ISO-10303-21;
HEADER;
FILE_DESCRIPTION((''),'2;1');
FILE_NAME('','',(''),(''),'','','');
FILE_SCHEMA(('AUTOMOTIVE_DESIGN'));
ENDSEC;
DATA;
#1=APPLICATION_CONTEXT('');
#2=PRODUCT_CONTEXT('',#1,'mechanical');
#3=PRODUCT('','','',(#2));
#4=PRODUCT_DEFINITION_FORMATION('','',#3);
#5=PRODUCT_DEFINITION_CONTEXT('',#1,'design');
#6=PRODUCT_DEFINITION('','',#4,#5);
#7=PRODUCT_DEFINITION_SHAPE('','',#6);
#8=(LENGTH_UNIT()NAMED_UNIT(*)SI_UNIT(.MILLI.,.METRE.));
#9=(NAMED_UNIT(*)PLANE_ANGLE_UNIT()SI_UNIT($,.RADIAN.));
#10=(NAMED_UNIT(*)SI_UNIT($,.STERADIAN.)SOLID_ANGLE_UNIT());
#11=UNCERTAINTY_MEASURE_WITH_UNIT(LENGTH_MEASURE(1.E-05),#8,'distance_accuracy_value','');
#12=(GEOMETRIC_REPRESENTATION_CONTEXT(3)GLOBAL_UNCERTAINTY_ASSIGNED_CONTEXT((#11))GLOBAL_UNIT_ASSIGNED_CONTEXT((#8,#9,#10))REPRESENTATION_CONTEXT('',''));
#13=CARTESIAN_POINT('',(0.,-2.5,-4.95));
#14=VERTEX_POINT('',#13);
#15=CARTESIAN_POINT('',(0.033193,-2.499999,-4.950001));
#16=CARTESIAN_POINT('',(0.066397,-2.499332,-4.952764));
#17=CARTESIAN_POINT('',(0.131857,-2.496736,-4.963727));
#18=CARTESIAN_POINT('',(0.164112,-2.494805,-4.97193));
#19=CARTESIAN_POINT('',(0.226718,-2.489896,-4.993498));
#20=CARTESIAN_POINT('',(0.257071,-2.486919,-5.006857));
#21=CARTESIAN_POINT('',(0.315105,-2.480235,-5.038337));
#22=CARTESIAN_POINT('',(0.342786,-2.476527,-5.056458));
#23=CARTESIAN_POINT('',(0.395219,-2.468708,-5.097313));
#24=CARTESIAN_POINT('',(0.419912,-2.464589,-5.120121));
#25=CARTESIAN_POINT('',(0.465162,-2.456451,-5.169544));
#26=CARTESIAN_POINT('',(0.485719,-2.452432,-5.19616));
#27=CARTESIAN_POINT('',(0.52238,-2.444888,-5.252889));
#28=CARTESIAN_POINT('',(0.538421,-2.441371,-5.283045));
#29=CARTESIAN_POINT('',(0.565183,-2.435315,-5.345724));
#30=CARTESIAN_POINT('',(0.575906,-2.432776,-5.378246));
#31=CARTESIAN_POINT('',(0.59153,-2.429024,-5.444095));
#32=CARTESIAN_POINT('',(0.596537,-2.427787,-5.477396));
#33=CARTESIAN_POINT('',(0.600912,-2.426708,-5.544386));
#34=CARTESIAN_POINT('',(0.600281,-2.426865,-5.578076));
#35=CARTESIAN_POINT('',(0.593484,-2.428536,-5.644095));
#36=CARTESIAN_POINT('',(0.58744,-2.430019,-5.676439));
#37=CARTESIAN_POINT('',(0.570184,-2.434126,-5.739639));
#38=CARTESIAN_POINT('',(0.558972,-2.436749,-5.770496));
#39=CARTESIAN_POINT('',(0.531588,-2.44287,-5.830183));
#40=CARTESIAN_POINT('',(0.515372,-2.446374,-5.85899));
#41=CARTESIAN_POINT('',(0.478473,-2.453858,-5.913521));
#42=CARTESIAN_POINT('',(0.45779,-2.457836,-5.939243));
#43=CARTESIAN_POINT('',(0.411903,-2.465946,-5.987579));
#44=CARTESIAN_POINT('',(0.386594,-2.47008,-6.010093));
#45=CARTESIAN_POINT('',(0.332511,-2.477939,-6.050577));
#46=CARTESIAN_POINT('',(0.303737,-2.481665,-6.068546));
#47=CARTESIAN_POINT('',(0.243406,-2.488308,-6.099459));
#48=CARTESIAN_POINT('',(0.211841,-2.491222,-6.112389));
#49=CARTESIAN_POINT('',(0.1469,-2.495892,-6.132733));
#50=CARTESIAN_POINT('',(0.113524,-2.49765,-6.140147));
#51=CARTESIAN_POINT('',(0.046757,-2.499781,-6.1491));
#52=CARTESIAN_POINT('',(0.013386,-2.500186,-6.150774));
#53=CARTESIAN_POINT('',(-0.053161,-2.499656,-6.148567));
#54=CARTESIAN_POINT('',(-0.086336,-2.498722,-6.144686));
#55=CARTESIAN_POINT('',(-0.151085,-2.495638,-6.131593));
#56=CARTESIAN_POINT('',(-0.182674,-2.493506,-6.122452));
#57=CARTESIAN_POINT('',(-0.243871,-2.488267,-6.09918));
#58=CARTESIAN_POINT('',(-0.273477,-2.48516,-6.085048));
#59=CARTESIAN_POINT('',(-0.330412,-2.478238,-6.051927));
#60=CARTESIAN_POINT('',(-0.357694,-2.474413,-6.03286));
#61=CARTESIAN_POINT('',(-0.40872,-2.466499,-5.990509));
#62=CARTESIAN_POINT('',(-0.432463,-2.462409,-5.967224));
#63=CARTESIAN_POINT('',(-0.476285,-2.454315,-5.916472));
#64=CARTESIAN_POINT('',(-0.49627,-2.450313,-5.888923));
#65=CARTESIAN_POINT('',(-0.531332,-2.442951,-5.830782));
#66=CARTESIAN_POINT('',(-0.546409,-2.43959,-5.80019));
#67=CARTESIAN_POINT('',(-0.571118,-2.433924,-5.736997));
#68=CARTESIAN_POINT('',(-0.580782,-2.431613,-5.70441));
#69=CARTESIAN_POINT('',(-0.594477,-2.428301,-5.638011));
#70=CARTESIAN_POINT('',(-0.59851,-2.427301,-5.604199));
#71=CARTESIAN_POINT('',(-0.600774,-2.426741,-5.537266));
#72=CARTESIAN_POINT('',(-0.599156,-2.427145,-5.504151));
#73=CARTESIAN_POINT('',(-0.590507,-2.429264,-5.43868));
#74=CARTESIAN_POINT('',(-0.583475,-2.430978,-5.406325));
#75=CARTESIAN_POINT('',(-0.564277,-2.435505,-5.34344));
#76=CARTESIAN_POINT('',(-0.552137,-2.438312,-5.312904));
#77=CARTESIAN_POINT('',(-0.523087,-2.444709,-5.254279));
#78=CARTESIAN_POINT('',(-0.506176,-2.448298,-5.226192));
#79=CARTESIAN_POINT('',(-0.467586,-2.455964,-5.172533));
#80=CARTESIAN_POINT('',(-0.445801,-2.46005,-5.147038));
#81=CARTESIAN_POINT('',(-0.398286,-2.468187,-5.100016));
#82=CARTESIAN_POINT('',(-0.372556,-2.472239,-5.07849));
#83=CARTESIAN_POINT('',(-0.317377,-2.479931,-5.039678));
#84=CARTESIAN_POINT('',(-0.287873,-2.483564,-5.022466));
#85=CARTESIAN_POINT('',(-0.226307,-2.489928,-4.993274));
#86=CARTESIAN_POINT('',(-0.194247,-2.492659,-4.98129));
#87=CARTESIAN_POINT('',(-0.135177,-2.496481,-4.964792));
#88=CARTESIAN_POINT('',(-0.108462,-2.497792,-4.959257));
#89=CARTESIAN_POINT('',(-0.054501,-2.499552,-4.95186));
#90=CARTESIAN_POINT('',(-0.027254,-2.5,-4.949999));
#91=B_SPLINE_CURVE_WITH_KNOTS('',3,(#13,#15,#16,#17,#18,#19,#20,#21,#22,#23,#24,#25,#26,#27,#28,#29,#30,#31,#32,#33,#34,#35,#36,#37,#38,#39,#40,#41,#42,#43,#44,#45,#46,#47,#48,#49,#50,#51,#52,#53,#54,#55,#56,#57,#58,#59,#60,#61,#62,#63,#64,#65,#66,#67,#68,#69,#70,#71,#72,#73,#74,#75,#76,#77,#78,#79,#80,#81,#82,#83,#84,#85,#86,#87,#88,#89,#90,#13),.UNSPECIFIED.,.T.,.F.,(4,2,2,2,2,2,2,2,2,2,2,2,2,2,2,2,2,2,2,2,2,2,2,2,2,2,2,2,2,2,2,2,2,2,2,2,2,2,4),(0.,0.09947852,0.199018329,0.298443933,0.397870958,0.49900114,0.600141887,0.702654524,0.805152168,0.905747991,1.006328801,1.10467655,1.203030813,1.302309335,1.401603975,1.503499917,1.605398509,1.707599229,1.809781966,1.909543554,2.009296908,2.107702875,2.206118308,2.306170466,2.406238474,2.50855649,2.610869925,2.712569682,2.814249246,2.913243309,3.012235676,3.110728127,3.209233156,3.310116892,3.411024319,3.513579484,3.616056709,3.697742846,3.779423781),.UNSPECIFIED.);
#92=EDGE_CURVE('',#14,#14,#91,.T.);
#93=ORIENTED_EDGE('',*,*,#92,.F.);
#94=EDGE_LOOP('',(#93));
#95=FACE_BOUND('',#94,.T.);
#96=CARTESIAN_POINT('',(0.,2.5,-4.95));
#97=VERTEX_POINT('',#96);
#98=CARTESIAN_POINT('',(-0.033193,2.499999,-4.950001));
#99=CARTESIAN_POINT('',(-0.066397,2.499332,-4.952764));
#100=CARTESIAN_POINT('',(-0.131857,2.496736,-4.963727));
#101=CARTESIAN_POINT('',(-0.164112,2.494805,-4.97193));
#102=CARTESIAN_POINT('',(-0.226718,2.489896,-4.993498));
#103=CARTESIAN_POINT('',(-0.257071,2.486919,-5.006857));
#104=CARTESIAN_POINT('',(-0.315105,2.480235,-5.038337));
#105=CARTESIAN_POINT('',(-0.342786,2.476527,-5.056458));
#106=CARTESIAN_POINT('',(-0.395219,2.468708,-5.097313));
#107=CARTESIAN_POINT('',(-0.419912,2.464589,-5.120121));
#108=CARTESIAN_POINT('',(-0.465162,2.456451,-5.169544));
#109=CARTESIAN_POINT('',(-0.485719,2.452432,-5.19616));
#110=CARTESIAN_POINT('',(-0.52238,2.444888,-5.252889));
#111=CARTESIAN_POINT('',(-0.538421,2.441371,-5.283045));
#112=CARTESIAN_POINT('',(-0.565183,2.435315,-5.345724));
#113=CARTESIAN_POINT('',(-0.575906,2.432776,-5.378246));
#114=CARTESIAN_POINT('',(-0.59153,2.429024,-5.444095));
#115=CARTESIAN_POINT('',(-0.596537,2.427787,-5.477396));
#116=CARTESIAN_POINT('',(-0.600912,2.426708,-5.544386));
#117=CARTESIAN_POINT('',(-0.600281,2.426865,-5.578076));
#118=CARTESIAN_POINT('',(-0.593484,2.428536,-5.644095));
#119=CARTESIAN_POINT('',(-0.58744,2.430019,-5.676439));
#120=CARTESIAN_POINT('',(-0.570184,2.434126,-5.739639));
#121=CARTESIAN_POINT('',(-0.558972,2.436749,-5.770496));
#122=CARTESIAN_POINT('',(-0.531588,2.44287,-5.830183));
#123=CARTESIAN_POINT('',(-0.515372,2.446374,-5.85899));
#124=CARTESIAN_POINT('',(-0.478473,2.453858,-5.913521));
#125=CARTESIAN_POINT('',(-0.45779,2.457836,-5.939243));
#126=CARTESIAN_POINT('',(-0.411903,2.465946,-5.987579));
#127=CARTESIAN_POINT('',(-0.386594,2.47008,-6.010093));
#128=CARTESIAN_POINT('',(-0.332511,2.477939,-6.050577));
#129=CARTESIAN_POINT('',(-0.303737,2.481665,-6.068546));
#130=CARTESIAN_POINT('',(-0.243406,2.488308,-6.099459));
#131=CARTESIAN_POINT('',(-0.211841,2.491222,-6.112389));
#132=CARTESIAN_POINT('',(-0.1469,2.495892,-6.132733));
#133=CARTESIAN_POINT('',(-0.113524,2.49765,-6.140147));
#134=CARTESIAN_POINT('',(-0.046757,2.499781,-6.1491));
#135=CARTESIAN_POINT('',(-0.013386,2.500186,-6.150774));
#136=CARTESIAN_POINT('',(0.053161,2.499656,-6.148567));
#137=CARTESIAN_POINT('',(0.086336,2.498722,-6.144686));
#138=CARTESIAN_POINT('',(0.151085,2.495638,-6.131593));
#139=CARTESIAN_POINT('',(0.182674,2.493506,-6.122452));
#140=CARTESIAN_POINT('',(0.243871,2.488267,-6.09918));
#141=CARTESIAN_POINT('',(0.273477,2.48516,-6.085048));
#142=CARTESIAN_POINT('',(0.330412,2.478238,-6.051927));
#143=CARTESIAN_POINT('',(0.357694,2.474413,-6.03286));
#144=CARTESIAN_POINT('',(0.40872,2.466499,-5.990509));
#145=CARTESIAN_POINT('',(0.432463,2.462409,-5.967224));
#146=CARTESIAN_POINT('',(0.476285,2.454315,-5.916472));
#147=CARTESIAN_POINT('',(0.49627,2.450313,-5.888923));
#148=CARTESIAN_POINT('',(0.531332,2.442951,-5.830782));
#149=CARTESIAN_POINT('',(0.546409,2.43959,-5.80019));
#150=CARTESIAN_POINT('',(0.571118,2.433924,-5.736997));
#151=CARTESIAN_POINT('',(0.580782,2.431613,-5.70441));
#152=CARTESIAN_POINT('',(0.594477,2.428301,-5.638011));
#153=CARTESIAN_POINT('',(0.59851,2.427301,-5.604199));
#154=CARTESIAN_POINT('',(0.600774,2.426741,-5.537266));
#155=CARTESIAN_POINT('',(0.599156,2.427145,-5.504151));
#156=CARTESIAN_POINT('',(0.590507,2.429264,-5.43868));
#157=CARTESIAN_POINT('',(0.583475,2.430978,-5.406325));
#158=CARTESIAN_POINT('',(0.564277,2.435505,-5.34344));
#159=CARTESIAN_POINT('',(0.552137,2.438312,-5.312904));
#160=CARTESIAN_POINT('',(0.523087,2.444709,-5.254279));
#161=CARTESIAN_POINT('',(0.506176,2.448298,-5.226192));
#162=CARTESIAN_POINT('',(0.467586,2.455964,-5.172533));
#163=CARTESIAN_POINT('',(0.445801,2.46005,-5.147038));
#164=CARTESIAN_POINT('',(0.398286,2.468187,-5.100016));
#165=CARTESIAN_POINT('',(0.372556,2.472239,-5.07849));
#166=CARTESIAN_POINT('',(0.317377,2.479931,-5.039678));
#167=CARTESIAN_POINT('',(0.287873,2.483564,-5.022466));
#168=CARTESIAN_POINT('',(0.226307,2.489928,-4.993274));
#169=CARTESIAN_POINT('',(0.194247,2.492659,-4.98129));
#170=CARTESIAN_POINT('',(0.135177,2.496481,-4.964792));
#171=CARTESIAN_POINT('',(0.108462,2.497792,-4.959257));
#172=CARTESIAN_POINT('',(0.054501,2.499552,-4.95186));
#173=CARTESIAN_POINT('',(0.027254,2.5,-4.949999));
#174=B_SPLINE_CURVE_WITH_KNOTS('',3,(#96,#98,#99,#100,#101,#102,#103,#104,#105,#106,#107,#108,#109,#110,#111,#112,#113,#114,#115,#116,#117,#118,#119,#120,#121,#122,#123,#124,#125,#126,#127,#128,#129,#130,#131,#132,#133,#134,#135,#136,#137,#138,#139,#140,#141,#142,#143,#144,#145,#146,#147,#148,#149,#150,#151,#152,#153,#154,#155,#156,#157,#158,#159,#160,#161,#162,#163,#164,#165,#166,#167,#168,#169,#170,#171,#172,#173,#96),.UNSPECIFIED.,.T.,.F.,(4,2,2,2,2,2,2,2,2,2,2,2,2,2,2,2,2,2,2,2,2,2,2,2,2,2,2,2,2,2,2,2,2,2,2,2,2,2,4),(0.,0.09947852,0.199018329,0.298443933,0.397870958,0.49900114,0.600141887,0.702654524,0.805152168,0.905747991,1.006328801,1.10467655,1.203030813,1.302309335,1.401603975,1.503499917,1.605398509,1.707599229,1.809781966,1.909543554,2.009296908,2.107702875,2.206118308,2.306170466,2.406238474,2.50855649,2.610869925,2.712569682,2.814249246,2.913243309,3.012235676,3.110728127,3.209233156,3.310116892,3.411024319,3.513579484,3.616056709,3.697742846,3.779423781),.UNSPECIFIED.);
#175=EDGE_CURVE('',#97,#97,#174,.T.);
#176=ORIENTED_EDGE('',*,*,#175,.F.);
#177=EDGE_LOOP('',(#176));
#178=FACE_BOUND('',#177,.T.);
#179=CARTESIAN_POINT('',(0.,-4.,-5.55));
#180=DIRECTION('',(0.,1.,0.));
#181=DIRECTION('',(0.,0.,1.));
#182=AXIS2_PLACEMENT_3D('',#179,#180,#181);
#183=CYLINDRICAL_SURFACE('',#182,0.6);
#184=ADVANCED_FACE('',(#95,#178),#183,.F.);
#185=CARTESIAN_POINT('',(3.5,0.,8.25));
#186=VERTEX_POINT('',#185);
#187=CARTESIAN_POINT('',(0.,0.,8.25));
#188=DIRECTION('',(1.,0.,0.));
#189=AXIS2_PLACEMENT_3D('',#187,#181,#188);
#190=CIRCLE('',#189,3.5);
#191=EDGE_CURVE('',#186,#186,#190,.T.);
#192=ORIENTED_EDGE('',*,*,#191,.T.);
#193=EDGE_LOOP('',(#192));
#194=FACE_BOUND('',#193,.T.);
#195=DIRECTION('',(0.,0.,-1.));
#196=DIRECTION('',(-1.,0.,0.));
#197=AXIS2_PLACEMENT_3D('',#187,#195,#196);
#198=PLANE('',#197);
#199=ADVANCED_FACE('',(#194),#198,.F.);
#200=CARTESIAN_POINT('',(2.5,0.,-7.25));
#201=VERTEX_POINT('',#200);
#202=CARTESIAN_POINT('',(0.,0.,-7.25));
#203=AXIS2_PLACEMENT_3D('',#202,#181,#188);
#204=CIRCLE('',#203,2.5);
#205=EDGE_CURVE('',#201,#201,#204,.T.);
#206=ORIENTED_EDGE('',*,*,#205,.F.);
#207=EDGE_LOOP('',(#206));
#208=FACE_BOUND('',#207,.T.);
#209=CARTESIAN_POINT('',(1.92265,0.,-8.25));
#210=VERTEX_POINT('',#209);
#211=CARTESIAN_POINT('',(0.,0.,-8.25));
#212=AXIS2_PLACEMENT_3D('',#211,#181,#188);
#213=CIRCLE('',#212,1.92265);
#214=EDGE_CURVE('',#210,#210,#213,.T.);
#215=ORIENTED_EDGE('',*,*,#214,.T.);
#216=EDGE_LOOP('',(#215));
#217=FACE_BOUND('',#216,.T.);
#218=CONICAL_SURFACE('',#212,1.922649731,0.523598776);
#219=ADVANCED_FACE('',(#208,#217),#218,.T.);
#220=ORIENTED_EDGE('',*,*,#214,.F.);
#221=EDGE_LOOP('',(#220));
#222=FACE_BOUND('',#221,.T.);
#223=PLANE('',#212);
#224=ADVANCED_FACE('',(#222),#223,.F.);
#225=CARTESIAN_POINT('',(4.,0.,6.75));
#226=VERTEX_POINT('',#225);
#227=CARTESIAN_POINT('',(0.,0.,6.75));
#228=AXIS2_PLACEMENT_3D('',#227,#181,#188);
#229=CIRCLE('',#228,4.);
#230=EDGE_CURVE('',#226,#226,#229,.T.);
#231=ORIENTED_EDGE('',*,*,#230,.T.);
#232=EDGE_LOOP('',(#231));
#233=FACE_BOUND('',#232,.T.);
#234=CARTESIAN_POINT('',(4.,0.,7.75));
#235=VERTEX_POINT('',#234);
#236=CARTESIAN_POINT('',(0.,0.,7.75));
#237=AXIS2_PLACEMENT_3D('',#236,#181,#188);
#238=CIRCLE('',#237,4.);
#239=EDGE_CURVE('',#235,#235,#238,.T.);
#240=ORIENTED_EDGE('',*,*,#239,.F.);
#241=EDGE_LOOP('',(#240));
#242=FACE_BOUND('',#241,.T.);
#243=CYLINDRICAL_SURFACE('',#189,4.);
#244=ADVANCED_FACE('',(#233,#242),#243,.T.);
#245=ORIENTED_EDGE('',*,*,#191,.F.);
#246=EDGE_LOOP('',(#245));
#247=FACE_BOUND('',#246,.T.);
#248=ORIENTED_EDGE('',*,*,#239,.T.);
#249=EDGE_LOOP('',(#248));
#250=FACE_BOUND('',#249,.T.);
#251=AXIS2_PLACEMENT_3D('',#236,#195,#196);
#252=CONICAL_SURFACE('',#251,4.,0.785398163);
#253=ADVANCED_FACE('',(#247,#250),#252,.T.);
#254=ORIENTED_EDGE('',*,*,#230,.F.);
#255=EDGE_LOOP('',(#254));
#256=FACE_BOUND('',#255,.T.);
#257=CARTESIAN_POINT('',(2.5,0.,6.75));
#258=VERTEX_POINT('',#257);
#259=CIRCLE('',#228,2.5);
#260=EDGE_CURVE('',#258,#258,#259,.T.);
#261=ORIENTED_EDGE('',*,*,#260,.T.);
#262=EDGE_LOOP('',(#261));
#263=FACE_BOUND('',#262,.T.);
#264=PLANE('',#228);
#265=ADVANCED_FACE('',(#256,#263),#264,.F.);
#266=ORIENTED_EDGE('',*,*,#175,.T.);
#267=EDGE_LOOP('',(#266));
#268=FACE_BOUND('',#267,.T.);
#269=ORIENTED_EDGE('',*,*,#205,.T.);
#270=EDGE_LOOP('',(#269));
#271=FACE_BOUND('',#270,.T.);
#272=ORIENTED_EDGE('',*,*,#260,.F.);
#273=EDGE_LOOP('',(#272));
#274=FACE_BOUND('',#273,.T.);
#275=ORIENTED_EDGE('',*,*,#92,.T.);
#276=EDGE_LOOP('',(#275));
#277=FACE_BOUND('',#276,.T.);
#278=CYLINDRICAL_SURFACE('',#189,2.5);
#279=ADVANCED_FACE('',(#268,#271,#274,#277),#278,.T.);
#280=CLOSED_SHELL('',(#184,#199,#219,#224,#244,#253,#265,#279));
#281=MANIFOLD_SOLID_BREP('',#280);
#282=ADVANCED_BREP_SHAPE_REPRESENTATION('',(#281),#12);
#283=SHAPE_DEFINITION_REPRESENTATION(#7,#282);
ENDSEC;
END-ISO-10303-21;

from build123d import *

# Parameters (mm, degrees)
WYTNIJ_WYCI_GNI_CIE1_DEPTH      = 11.003124512
WYTNIJ_WYCI_GNI_CIE1_DEPTH_BACK = 11.003124512
SZKIC2_R                        = 0.6


with BuildPart() as part:
    # Szkic1 → Obrót1 (revolve)
    with BuildSketch(Plane(origin=(0, 0, 0), x_dir=(1, 0, 0), z_dir=(0, 1, 0))):
        Polygon((0, -8.25), (3.5, -8.25), (4, -7.75), (4, -6.75), (2.5, -6.75), (2.5, 7.25), (1.922649731, 8.25), (0, 8.25), align=None)
    revolve(axis=Axis((0, 0, 8.25), (0, 0, -1)))

    # Szkic2 → Wytnij-wyciągnięcie1 (cut, two sides: drawn at the far end of the back side and taken through both)
    with BuildSketch(Plane(origin=(0, 0, 0), x_dir=(1, 0, 0), z_dir=(0, 1, 0)).offset(-WYTNIJ_WYCI_GNI_CIE1_DEPTH_BACK)):
        with Locations(Location((0, 5.55, 0), (0, 0, 270))):
            Circle(SZKIC2_R)
    extrude(amount=WYTNIJ_WYCI_GNI_CIE1_DEPTH + WYTNIJ_WYCI_GNI_CIE1_DEPTH_BACK, mode=Mode.SUBTRACT)


solid = part.part
